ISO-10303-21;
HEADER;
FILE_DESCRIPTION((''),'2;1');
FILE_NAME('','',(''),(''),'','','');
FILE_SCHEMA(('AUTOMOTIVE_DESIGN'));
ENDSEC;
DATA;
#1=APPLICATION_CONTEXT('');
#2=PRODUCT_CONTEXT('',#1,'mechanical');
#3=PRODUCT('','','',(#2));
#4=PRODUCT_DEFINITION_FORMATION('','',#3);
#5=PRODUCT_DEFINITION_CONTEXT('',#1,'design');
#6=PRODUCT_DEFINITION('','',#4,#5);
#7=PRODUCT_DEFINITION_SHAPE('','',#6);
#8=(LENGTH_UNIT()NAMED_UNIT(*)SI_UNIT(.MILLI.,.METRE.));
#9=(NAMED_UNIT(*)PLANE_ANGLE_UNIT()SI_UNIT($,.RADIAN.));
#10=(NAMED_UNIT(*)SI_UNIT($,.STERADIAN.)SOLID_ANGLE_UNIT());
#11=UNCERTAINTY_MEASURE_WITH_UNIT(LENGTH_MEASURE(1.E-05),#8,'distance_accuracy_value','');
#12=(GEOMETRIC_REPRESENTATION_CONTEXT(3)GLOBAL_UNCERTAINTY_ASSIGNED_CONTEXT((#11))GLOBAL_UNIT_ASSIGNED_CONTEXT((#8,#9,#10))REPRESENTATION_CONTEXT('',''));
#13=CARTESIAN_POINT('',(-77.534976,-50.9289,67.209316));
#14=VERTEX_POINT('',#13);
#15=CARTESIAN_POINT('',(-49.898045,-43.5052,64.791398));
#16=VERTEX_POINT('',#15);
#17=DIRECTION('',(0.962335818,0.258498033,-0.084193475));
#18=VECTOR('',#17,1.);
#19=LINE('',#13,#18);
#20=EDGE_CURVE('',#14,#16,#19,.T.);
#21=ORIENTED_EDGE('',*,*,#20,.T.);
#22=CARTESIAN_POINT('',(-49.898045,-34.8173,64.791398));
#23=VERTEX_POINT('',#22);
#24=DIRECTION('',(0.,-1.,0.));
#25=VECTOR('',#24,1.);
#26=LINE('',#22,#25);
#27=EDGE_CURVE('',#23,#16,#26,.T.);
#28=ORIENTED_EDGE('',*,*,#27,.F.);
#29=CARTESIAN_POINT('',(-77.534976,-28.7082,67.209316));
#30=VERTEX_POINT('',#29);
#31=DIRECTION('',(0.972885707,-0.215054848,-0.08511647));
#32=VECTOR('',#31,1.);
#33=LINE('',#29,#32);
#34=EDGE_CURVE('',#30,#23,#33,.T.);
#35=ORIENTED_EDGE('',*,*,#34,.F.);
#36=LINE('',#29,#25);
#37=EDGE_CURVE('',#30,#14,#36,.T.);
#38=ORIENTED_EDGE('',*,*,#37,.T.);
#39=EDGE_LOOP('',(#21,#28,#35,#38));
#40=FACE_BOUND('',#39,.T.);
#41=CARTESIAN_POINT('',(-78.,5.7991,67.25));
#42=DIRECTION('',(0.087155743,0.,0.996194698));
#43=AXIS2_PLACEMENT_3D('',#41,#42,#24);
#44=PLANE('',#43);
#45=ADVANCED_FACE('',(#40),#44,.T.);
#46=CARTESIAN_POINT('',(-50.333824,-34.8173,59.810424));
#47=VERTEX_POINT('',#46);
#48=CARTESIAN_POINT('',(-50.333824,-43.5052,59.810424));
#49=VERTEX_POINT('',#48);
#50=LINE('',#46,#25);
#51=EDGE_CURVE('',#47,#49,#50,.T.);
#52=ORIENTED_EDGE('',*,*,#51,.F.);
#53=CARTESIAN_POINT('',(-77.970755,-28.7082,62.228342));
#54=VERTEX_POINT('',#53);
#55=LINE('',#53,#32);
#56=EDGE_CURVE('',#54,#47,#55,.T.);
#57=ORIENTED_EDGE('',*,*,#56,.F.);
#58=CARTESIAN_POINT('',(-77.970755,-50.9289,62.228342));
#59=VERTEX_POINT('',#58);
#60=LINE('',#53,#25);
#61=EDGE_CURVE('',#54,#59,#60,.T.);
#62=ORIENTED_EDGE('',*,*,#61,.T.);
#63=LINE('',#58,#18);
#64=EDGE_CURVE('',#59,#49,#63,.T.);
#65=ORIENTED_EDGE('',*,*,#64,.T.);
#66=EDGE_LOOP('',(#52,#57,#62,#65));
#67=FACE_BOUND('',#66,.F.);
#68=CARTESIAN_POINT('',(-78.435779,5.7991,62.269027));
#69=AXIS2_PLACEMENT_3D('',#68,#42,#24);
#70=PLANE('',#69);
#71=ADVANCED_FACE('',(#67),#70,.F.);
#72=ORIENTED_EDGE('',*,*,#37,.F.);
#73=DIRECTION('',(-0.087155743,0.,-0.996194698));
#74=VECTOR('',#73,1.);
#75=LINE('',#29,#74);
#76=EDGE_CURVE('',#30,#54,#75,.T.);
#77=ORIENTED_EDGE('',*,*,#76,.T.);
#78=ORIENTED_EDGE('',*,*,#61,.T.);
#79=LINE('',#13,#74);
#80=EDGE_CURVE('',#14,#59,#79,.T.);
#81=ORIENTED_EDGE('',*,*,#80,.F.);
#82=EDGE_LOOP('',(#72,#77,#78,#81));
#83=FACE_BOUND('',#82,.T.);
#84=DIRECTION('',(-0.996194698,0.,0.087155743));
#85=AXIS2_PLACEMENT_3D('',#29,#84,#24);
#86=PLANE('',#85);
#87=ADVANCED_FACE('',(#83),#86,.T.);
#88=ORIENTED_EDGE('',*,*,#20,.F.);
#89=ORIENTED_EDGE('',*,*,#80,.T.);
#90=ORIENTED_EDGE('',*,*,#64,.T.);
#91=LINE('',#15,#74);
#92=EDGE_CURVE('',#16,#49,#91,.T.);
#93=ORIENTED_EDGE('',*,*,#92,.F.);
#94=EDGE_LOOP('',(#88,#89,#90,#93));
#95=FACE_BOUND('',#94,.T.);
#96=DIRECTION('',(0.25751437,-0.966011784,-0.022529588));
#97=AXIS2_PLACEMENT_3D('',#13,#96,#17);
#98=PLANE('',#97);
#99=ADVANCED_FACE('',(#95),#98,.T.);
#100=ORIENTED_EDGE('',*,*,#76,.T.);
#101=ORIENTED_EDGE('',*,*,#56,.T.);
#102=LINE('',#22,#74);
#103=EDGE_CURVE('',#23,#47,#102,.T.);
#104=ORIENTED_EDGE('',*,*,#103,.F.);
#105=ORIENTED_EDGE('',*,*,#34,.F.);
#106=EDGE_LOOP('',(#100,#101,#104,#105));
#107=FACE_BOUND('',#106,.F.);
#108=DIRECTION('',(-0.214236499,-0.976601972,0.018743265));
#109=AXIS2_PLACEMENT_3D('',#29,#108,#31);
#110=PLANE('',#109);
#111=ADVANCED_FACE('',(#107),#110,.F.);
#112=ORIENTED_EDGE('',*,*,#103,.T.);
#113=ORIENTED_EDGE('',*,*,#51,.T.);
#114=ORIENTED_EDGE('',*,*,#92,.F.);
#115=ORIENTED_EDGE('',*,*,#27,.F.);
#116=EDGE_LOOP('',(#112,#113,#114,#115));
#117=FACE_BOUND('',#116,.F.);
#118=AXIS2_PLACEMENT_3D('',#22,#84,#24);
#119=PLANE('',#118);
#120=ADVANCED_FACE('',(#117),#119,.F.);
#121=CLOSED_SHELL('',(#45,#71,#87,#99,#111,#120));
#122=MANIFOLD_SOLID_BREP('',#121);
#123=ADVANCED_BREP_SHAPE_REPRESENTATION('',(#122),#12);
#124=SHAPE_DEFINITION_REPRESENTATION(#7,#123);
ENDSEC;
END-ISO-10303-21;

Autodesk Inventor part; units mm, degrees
ref_plane "YZ Plane" through (0, 0, 0) normal (1, 0, 0) x (0, 1, 0)
ref_plane "XZ Plane" through (0, 0, 0) normal (0, 1, 0) x (-1, 0, 0)
ref_plane "XY Plane" through (0, 0, 0) normal (0, 0, 1) x (1, 0, 0)
sketch "草圖1" plane through (0, 0, 0) normal (0, 0, 1) x (1, 0, 0)
  line L0 (-59.6872, -28.0111) -> (-79.2339, -28.0111)
  line L1 (-79.2339, -28.0111) -> (-79.2339, -56.633)
  line L2 (-79.2339, -56.633) -> (-59.6872, -56.633)
  line L3 (-59.6872, -56.633) -> (-59.6872, -28.0111)
  point P0 (0, 0)
ref_plane "工作平面1" through (0, 0, 67.25) normal (0, 0, 1) x (1, 0, 0)
sketch "草圖2" plane through (0, 0, 67.25) normal (0, 0, 1) x (1, 0, 0)
  line L0 (-78, -31.4361) -> (-78, 5.7991) projected
  line L1 (-78, 5.7991) -> (-78, -80.9826)
  point P0 (0, 0)
ref_plane "工作平面2" through (-78, 5.7991, 67.25) normal (0.0872, 0, 0.9962) x (0, -1, 0)
sketch "草圖3" plane through (-78, 5.7991, 67.25) normal (0.0872, 0, 0.9962) x (0, -1, 0)
  line L0 (62.4321, 4.6321) -> (62.4321, 24.1044) projected
  line L1 (34.5073, 0.4668) -> (56.728, 0.4668)
  line L2 (56.728, 0.4668) -> (49.3043, 28.2093)
  line L3 (34.5073, 0.4668) -> (40.6164, 28.2093)
  line L4 (40.6164, 28.2093) -> (49.3043, 28.2093)
  point P0 (5.7991, 83.5644)
  point P1 (33.8102, 24.1044)
extrude "擠出1" add sketch "草圖3" against normal blind 5
properties part number "40523209"
